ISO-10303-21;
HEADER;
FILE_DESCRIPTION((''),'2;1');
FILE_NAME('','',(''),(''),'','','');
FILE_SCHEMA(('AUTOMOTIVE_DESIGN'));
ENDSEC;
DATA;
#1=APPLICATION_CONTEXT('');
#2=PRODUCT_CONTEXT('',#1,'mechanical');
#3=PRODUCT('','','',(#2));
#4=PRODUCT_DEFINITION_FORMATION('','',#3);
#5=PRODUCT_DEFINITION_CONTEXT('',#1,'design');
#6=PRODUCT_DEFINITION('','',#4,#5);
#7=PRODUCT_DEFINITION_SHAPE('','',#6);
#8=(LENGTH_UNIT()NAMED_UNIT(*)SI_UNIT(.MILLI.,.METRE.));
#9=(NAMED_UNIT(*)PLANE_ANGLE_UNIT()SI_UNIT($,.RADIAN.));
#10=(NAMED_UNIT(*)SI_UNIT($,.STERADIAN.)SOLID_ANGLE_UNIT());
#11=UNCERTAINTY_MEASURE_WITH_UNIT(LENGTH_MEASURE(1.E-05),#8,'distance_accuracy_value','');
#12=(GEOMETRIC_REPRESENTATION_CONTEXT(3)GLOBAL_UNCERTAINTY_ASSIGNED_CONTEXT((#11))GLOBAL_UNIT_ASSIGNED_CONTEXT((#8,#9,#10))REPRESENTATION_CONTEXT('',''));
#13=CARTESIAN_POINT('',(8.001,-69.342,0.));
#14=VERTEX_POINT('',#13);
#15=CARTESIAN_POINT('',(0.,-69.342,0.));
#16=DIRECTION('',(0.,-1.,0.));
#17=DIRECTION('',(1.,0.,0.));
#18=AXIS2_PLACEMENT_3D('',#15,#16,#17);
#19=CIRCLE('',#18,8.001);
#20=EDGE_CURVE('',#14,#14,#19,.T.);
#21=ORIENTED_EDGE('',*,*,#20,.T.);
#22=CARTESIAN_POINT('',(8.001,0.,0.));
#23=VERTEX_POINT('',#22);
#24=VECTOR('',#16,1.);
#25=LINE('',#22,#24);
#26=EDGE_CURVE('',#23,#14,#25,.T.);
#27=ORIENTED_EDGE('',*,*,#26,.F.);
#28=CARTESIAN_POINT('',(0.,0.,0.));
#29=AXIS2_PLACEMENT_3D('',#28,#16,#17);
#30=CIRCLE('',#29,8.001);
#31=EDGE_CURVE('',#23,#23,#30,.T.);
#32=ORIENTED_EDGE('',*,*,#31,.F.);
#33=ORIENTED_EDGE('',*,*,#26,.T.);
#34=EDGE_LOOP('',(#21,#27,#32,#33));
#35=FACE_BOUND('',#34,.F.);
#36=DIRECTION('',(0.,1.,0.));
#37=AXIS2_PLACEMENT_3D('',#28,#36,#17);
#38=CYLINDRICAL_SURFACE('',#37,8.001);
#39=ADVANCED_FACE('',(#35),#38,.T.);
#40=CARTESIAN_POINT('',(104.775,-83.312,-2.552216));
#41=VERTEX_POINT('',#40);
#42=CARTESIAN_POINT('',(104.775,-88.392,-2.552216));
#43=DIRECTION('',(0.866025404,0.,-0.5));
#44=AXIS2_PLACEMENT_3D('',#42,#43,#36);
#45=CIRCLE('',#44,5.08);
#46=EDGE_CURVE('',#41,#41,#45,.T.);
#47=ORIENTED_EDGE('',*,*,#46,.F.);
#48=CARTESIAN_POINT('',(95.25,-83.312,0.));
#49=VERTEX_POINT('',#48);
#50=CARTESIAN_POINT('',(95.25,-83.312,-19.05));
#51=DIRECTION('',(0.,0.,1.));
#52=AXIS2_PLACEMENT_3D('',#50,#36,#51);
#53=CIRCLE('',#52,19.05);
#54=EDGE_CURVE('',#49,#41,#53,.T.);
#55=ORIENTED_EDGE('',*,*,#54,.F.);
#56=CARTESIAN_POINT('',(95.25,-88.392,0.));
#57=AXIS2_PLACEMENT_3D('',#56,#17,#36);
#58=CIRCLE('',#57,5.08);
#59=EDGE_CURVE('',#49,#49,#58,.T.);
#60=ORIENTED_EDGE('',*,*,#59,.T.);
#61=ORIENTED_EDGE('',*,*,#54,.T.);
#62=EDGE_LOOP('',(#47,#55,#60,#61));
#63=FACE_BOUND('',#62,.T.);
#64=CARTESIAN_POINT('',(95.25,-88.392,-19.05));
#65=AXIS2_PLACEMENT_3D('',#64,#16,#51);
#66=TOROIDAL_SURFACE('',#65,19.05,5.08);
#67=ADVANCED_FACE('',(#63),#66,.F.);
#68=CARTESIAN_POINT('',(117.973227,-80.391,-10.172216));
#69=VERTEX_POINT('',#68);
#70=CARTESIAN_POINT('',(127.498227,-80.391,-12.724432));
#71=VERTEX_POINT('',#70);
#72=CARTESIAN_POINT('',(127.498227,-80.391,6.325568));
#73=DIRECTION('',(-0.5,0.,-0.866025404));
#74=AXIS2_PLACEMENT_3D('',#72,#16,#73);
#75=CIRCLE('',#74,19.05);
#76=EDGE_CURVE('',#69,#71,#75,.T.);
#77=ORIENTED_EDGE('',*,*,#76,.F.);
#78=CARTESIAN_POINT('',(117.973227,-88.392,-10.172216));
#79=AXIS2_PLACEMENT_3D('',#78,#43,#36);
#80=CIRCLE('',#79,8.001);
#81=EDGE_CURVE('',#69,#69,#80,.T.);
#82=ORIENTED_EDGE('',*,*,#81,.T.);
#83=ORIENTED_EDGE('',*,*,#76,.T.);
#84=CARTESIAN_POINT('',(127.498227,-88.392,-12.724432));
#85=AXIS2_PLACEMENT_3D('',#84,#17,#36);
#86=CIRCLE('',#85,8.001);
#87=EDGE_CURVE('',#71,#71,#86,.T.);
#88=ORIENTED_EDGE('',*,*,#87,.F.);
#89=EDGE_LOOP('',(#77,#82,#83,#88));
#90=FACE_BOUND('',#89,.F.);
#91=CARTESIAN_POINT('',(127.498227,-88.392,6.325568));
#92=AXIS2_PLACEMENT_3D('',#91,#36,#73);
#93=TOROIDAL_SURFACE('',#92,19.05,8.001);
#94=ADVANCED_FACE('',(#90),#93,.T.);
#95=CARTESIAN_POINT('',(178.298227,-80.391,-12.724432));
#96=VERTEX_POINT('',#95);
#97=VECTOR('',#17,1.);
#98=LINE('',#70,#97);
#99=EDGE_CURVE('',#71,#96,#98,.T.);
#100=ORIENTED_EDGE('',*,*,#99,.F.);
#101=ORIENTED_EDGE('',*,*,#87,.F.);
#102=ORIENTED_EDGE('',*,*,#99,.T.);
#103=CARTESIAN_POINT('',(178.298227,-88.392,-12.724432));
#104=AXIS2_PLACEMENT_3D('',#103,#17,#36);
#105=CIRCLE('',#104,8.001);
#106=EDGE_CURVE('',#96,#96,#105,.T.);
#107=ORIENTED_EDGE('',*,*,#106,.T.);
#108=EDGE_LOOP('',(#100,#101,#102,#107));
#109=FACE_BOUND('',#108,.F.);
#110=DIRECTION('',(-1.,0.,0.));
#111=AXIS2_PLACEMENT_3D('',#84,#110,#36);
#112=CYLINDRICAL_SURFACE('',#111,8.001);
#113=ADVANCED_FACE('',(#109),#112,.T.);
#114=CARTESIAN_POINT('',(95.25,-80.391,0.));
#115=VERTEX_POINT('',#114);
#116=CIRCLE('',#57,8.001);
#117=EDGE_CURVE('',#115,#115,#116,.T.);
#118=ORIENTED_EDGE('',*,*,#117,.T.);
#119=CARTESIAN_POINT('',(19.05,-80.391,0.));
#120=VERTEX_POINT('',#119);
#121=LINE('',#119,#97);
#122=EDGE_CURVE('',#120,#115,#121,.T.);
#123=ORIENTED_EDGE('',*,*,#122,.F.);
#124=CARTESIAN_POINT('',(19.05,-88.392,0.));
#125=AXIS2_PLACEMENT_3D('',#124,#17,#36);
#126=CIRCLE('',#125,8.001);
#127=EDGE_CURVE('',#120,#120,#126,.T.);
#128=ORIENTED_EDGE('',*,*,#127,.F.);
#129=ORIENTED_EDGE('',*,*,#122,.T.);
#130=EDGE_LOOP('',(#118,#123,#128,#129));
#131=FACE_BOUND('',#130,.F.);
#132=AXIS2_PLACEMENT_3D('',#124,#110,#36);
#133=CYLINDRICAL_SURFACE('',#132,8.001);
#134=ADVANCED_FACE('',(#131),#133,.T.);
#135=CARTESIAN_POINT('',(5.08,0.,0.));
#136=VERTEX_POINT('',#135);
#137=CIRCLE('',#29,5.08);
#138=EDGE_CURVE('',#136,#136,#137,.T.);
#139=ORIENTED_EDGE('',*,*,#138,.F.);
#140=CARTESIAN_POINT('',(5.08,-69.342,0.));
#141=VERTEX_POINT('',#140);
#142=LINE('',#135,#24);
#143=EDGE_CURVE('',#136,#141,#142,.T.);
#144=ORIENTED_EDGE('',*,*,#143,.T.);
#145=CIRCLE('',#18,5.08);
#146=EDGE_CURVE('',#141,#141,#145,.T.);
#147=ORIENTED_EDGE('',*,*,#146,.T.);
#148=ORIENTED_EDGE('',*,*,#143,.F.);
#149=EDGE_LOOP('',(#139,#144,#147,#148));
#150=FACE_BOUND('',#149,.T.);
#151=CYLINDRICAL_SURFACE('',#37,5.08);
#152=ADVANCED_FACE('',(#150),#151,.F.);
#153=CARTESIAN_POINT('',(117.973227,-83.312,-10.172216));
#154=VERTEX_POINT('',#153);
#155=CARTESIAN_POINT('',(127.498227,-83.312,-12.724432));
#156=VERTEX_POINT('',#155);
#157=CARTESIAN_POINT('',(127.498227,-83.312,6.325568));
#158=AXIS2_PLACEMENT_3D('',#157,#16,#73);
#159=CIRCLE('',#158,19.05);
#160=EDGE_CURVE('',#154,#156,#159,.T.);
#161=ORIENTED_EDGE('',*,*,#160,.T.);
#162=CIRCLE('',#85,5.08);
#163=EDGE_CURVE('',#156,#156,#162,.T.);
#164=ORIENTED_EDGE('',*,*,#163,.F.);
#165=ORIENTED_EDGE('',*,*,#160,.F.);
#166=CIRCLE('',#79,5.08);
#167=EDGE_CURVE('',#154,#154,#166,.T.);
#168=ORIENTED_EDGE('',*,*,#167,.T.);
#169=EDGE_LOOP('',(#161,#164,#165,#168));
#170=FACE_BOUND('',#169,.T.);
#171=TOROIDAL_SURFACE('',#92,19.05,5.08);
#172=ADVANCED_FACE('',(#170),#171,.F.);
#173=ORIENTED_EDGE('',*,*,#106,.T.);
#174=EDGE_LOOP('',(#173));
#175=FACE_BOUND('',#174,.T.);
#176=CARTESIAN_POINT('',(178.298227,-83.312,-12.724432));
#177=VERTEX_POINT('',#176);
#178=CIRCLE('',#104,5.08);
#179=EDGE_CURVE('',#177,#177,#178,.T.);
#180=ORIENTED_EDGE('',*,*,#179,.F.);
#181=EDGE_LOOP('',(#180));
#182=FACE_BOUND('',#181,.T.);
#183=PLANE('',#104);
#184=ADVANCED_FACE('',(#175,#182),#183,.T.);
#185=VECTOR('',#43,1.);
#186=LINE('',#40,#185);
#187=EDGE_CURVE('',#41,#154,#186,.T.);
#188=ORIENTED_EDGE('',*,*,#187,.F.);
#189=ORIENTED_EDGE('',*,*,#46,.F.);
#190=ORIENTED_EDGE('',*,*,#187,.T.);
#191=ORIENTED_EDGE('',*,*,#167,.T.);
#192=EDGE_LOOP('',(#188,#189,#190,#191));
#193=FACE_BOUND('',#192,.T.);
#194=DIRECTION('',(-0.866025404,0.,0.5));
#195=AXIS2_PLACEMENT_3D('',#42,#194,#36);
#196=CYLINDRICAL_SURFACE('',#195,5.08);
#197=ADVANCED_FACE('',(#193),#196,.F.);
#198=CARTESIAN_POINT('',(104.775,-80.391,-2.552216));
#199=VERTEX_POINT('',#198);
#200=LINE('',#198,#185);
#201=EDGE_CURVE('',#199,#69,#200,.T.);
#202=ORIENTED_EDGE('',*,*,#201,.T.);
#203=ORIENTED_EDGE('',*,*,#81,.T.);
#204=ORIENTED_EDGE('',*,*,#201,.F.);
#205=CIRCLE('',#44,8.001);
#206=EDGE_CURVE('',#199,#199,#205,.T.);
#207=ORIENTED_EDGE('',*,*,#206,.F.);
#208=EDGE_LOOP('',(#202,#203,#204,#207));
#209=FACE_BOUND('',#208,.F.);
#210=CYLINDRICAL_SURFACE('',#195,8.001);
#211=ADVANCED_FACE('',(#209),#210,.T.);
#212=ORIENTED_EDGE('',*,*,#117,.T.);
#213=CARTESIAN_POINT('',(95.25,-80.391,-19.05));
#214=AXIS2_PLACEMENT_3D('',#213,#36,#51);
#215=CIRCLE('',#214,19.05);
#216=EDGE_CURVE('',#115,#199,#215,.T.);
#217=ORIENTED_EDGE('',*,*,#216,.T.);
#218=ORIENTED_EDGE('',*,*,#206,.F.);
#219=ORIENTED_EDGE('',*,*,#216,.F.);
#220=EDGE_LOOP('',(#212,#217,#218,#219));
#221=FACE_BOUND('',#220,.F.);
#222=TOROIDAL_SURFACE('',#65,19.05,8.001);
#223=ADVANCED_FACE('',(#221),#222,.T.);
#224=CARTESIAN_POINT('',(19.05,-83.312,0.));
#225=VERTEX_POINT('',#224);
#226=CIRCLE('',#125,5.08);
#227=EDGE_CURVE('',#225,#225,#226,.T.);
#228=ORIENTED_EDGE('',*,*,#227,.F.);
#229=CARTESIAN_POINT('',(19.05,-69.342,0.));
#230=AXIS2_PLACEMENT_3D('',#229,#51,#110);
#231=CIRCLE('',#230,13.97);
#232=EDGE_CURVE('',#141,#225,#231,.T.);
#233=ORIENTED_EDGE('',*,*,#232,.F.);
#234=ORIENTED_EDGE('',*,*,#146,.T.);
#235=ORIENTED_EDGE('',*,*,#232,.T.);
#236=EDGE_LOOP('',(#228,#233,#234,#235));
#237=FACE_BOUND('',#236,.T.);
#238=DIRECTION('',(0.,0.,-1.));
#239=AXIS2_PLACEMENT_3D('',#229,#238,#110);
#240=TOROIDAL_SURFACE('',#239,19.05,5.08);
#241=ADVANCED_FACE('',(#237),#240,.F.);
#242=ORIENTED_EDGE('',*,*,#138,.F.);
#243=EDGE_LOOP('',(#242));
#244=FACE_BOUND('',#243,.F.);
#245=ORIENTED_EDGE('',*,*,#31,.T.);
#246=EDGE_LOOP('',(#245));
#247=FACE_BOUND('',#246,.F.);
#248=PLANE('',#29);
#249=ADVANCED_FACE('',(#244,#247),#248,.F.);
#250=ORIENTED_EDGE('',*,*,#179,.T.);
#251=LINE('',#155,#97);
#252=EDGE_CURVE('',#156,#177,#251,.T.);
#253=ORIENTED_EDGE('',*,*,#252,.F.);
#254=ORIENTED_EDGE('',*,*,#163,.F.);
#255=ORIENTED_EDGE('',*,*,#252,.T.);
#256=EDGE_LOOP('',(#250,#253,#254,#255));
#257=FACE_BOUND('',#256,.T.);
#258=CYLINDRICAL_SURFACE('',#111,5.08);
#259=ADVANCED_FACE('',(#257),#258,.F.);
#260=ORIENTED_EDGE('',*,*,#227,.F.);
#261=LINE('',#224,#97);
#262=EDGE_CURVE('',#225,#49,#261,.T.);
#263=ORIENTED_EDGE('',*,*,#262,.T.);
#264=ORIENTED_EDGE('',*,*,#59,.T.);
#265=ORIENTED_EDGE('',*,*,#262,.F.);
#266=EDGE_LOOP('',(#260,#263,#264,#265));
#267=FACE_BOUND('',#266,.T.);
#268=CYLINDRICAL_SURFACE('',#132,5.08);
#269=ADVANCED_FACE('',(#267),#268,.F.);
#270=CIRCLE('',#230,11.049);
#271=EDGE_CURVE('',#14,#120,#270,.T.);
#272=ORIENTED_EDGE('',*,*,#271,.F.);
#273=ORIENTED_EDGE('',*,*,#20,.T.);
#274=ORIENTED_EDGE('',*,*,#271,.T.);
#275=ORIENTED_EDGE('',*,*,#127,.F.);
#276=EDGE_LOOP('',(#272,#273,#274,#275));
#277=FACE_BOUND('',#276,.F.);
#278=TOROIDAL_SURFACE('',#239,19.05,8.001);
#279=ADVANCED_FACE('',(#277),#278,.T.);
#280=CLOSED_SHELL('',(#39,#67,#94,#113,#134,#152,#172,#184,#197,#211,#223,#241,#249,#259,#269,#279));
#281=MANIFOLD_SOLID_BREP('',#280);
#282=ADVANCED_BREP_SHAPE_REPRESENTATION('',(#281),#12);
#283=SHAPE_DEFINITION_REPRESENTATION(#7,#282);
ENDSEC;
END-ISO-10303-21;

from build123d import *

# Parameters (mm, degrees)
F0_R      = 8.001
F0_R_2    = 5.08
F1_DEPTH  = 69.342
F2_R      = 8.001
F2_R_2    = 5.08
F3_ANGLE  = 90
F4_R      = 8.001
F4_R_2    = 5.08
F5_DEPTH  = 76.2
F6_R      = 8.001
F6_R_2    = 5.08
F7_ANGLE  = 30
F8_R      = 8.001
F8_R_2    = 5.08
F9_DEPTH  = 15.24
F10_R     = 8.001
F10_R_2   = 5.08
F11_ANGLE = 30
F12_R     = 8.001
F12_R_2   = 5.08
F13_DEPTH = 50.8


with BuildPart() as f1:
    # F0 (on Front) → F1 (new body)
    with BuildSketch(Plane.XZ):
        Circle(F0_R)
        Circle(F0_R_2, mode=Mode.SUBTRACT)
    extrude(amount=F1_DEPTH)

    # F2 (on face) → F3 (revolve)
    with BuildSketch(Plane.XZ.offset(69.342)):
        Circle(F2_R)
        Circle(F2_R_2, mode=Mode.SUBTRACT)
    revolve(axis=Axis((19.05, -69.342, 0.0863848254), (0, 0, 1)), revolution_arc=F3_ANGLE)

    # F4 (on face) → F5 (join)
    with BuildSketch(Plane.YZ.offset(19.05)):
        with Locations((-88.392, 0)):
            Circle(F4_R)
        with Locations((-88.392, 0)):
            Circle(F4_R_2, mode=Mode.SUBTRACT)
    extrude(amount=F5_DEPTH)

    # F6 (on face) → F7 (revolve)
    with BuildSketch(Plane.YZ.offset(95.25)):
        with Locations((-88.392, 0)):
            Circle(F6_R)
        with Locations((-88.392, 0)):
            Circle(F6_R_2, mode=Mode.SUBTRACT)
    revolve(axis=Axis((95.25, -87.3048111362, -19.05), (0, 1, 0)), revolution_arc=F7_ANGLE)

    # F8 (on face) → F9 (join)
    with BuildSketch(Plane(origin=(79.686391971, 0, -46.0069598552), x_dir=(0, 1, 0), z_dir=(0.8660254038, 0, -0.5))):
        with Locations((-88.392, 50.1772160579)):
            Circle(F8_R)
        with Locations((-88.392, 50.1772160579)):
            Circle(F8_R_2, mode=Mode.SUBTRACT)
    extrude(amount=F9_DEPTH)

    # F10 (on face) → F11 (revolve)
    with BuildSketch(Plane(origin=(92.8846191247, 0, -53.6269598552), x_dir=(0, 1, 0), z_dir=(0.8660254038, 0, -0.5))):
        with Locations((-88.392, 50.1772160579)):
            Circle(F10_R)
        with Locations((-88.392, 50.1772160579)):
            Circle(F10_R_2, mode=Mode.SUBTRACT)
    revolve(axis=Axis((127.4982271537, -88.2504015727, 6.3255678842), (0, -1, 0)), revolution_arc=F11_ANGLE)

    # F12 (on face) → F13 (join)
    with BuildSketch(Plane.YZ.offset(127.4982271537)):
        with Locations((-88.392, -12.7244321158)):
            Circle(F12_R)
        with Locations((-88.392, -12.7244321158)):
            Circle(F12_R_2, mode=Mode.SUBTRACT)
    extrude(amount=F13_DEPTH)


solid = f1.part
